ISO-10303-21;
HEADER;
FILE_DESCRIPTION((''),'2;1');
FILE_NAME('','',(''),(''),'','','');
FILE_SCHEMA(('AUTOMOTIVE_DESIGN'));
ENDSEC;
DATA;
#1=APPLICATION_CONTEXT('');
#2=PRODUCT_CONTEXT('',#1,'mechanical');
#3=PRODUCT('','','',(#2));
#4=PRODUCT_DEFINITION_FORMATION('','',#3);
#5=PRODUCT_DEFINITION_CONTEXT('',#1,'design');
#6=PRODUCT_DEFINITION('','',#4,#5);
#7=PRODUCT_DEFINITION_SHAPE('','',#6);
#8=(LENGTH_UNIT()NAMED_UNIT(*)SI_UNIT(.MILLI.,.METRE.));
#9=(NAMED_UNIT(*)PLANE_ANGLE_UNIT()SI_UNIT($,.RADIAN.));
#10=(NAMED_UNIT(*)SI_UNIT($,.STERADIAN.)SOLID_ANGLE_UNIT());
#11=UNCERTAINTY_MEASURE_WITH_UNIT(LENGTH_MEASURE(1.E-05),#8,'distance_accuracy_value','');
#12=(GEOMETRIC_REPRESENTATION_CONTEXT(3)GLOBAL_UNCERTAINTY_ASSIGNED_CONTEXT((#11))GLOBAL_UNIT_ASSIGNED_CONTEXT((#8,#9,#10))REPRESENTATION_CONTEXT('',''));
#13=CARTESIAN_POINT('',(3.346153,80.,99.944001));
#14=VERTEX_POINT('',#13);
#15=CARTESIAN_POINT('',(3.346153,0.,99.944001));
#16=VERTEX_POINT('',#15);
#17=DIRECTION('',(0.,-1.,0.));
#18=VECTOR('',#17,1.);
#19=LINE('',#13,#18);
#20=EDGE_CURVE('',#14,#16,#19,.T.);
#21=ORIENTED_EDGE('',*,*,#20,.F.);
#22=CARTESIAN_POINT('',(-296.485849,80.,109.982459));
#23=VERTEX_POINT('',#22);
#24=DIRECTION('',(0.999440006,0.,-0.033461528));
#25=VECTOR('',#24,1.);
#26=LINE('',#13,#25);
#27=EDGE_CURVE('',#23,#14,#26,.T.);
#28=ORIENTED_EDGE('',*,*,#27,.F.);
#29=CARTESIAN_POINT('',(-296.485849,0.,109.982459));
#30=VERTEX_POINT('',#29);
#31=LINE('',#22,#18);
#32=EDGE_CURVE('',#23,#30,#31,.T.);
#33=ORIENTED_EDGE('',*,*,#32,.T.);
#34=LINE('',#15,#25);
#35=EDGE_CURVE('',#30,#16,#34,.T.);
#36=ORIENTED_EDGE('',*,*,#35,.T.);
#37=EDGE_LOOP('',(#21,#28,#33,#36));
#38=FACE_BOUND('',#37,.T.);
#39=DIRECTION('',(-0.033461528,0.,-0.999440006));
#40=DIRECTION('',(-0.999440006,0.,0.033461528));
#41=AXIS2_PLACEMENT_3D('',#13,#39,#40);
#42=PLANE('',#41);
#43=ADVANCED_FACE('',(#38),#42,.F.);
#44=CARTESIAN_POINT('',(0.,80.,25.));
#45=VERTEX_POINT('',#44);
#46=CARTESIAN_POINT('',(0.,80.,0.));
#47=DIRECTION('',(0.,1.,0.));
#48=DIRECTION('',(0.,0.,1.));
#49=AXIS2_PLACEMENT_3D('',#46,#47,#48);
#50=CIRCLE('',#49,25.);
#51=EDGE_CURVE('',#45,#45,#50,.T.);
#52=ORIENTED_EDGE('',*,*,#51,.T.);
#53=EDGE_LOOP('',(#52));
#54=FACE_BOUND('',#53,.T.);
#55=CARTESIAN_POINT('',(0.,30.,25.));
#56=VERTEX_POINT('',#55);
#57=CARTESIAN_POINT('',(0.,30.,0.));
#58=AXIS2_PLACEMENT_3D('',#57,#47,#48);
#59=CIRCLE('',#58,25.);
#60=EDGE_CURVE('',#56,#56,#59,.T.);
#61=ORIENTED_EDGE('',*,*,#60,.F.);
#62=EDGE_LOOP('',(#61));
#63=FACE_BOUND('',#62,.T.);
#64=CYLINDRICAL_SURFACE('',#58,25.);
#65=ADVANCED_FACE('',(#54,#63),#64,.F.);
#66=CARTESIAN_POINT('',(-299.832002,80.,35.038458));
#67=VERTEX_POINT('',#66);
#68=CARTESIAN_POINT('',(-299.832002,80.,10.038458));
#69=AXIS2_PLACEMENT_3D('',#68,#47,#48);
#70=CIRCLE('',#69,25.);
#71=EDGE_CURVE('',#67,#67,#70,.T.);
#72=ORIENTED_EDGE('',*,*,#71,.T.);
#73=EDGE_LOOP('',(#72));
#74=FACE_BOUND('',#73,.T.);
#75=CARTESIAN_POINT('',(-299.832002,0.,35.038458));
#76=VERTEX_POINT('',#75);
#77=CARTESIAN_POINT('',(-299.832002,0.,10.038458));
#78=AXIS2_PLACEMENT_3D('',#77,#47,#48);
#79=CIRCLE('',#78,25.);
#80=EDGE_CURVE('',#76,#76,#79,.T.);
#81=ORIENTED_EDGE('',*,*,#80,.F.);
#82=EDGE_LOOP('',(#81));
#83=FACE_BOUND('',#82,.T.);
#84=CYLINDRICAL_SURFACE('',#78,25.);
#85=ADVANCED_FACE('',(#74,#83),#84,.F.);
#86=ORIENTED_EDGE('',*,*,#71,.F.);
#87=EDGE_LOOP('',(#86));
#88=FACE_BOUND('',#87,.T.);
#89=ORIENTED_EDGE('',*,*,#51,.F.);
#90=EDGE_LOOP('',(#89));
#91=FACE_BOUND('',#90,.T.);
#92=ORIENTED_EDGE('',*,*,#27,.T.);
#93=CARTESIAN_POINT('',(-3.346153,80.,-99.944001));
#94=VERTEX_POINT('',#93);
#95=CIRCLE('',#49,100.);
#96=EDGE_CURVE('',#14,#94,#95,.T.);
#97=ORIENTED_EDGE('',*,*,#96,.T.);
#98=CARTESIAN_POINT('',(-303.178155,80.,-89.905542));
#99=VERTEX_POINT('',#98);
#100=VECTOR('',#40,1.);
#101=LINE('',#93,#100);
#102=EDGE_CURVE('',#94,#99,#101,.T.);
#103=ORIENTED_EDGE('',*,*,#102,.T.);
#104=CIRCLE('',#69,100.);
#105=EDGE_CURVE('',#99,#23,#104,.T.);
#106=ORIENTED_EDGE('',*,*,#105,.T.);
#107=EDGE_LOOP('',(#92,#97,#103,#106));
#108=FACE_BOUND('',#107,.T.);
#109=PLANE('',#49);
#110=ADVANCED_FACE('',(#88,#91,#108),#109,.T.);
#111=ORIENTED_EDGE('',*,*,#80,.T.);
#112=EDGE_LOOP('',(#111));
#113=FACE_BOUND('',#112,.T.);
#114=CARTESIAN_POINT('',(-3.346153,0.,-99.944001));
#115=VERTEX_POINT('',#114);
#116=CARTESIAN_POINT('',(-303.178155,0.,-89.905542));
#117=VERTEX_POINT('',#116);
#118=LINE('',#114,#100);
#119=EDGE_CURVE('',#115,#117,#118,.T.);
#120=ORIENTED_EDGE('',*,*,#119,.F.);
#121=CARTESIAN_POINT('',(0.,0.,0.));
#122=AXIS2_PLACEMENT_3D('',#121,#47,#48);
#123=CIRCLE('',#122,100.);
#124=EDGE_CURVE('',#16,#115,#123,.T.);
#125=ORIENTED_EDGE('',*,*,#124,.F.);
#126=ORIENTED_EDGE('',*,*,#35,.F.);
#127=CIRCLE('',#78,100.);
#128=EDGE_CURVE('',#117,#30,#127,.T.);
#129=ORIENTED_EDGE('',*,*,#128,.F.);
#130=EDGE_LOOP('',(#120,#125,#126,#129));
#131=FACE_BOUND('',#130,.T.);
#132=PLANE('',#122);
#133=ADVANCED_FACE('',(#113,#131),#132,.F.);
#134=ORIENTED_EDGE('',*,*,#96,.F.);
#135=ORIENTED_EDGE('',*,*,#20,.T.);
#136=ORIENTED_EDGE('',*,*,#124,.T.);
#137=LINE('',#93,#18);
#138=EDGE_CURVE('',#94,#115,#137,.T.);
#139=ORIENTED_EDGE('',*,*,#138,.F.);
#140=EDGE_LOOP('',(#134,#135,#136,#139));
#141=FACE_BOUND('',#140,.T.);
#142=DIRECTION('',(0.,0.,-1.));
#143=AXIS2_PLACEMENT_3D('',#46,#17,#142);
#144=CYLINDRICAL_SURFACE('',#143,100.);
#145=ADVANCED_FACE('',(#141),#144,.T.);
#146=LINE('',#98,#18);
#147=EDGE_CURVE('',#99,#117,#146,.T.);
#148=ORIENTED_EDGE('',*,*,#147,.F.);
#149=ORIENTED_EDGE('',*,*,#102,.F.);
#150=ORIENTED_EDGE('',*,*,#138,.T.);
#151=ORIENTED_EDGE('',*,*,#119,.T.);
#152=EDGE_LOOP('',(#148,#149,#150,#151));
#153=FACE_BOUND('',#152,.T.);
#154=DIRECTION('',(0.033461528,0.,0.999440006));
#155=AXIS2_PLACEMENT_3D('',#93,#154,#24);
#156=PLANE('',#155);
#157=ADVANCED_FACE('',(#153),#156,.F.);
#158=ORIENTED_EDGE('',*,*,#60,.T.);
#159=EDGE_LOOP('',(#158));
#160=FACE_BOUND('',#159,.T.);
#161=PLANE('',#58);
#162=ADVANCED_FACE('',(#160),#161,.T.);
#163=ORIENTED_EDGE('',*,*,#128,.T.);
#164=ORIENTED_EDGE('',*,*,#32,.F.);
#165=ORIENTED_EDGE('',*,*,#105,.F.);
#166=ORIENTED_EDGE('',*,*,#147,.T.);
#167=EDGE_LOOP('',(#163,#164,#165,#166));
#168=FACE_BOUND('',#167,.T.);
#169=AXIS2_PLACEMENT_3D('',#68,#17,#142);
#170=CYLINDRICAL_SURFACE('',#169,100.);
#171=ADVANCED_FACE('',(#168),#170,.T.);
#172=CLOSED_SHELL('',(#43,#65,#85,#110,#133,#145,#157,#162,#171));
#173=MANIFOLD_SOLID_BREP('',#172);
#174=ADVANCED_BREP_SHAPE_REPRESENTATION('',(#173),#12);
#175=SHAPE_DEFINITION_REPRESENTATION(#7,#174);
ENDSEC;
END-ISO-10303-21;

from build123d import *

# Parameters (mm, degrees)
BOSS_EXTRUDE1_DEPTH = 80
SKETCH2_R           = 25
CUT_EXTRUDE1_DEPTH  = 50
SKETCH3_R           = 25
CUT_EXTRUDE2_DEPTH  = 80


with BuildPart() as part:
    # Sketch1 → Boss-Extrude1 (new body)
    with BuildSketch(Plane(origin=(0, 0, 0), x_dir=(1, 0, 0), z_dir=(0, 1, 0))):
        with BuildLine():
            Line((3.346152766, -99.944000629), (-296.48584912, -109.982458927))
            ThreePointArc((-296.48584912, -109.982458927), (-399.776002515, -13.384611064), (-303.178154652, 89.905542331))
            Line((-303.178154652, 89.905542331), (-3.346152766, 99.944000629))
            ThreePointArc((-3.346152766, 99.944000629), (99.944000629, 3.346152766), (3.346152766, -99.944000629))
        make_face()
    extrude(amount=BOSS_EXTRUDE1_DEPTH)

    # Sketch2 → Cut-Extrude1 (cut)
    with BuildSketch(Plane(origin=(0, 80, 0), x_dir=(1, 0, 0), z_dir=(0, 1, 0))):
        Circle(SKETCH2_R)
    extrude(amount=-CUT_EXTRUDE1_DEPTH, mode=Mode.SUBTRACT)

    # Sketch3 → Cut-Extrude2 (cut)
    with BuildSketch(Plane(origin=(0, 80, 0), x_dir=(1, 0, 0), z_dir=(0, 1, 0))):
        with Locations((-299.832001886, -10.038458298)):
            Circle(SKETCH3_R)
    extrude(amount=-CUT_EXTRUDE2_DEPTH, mode=Mode.SUBTRACT)


solid = part.part
